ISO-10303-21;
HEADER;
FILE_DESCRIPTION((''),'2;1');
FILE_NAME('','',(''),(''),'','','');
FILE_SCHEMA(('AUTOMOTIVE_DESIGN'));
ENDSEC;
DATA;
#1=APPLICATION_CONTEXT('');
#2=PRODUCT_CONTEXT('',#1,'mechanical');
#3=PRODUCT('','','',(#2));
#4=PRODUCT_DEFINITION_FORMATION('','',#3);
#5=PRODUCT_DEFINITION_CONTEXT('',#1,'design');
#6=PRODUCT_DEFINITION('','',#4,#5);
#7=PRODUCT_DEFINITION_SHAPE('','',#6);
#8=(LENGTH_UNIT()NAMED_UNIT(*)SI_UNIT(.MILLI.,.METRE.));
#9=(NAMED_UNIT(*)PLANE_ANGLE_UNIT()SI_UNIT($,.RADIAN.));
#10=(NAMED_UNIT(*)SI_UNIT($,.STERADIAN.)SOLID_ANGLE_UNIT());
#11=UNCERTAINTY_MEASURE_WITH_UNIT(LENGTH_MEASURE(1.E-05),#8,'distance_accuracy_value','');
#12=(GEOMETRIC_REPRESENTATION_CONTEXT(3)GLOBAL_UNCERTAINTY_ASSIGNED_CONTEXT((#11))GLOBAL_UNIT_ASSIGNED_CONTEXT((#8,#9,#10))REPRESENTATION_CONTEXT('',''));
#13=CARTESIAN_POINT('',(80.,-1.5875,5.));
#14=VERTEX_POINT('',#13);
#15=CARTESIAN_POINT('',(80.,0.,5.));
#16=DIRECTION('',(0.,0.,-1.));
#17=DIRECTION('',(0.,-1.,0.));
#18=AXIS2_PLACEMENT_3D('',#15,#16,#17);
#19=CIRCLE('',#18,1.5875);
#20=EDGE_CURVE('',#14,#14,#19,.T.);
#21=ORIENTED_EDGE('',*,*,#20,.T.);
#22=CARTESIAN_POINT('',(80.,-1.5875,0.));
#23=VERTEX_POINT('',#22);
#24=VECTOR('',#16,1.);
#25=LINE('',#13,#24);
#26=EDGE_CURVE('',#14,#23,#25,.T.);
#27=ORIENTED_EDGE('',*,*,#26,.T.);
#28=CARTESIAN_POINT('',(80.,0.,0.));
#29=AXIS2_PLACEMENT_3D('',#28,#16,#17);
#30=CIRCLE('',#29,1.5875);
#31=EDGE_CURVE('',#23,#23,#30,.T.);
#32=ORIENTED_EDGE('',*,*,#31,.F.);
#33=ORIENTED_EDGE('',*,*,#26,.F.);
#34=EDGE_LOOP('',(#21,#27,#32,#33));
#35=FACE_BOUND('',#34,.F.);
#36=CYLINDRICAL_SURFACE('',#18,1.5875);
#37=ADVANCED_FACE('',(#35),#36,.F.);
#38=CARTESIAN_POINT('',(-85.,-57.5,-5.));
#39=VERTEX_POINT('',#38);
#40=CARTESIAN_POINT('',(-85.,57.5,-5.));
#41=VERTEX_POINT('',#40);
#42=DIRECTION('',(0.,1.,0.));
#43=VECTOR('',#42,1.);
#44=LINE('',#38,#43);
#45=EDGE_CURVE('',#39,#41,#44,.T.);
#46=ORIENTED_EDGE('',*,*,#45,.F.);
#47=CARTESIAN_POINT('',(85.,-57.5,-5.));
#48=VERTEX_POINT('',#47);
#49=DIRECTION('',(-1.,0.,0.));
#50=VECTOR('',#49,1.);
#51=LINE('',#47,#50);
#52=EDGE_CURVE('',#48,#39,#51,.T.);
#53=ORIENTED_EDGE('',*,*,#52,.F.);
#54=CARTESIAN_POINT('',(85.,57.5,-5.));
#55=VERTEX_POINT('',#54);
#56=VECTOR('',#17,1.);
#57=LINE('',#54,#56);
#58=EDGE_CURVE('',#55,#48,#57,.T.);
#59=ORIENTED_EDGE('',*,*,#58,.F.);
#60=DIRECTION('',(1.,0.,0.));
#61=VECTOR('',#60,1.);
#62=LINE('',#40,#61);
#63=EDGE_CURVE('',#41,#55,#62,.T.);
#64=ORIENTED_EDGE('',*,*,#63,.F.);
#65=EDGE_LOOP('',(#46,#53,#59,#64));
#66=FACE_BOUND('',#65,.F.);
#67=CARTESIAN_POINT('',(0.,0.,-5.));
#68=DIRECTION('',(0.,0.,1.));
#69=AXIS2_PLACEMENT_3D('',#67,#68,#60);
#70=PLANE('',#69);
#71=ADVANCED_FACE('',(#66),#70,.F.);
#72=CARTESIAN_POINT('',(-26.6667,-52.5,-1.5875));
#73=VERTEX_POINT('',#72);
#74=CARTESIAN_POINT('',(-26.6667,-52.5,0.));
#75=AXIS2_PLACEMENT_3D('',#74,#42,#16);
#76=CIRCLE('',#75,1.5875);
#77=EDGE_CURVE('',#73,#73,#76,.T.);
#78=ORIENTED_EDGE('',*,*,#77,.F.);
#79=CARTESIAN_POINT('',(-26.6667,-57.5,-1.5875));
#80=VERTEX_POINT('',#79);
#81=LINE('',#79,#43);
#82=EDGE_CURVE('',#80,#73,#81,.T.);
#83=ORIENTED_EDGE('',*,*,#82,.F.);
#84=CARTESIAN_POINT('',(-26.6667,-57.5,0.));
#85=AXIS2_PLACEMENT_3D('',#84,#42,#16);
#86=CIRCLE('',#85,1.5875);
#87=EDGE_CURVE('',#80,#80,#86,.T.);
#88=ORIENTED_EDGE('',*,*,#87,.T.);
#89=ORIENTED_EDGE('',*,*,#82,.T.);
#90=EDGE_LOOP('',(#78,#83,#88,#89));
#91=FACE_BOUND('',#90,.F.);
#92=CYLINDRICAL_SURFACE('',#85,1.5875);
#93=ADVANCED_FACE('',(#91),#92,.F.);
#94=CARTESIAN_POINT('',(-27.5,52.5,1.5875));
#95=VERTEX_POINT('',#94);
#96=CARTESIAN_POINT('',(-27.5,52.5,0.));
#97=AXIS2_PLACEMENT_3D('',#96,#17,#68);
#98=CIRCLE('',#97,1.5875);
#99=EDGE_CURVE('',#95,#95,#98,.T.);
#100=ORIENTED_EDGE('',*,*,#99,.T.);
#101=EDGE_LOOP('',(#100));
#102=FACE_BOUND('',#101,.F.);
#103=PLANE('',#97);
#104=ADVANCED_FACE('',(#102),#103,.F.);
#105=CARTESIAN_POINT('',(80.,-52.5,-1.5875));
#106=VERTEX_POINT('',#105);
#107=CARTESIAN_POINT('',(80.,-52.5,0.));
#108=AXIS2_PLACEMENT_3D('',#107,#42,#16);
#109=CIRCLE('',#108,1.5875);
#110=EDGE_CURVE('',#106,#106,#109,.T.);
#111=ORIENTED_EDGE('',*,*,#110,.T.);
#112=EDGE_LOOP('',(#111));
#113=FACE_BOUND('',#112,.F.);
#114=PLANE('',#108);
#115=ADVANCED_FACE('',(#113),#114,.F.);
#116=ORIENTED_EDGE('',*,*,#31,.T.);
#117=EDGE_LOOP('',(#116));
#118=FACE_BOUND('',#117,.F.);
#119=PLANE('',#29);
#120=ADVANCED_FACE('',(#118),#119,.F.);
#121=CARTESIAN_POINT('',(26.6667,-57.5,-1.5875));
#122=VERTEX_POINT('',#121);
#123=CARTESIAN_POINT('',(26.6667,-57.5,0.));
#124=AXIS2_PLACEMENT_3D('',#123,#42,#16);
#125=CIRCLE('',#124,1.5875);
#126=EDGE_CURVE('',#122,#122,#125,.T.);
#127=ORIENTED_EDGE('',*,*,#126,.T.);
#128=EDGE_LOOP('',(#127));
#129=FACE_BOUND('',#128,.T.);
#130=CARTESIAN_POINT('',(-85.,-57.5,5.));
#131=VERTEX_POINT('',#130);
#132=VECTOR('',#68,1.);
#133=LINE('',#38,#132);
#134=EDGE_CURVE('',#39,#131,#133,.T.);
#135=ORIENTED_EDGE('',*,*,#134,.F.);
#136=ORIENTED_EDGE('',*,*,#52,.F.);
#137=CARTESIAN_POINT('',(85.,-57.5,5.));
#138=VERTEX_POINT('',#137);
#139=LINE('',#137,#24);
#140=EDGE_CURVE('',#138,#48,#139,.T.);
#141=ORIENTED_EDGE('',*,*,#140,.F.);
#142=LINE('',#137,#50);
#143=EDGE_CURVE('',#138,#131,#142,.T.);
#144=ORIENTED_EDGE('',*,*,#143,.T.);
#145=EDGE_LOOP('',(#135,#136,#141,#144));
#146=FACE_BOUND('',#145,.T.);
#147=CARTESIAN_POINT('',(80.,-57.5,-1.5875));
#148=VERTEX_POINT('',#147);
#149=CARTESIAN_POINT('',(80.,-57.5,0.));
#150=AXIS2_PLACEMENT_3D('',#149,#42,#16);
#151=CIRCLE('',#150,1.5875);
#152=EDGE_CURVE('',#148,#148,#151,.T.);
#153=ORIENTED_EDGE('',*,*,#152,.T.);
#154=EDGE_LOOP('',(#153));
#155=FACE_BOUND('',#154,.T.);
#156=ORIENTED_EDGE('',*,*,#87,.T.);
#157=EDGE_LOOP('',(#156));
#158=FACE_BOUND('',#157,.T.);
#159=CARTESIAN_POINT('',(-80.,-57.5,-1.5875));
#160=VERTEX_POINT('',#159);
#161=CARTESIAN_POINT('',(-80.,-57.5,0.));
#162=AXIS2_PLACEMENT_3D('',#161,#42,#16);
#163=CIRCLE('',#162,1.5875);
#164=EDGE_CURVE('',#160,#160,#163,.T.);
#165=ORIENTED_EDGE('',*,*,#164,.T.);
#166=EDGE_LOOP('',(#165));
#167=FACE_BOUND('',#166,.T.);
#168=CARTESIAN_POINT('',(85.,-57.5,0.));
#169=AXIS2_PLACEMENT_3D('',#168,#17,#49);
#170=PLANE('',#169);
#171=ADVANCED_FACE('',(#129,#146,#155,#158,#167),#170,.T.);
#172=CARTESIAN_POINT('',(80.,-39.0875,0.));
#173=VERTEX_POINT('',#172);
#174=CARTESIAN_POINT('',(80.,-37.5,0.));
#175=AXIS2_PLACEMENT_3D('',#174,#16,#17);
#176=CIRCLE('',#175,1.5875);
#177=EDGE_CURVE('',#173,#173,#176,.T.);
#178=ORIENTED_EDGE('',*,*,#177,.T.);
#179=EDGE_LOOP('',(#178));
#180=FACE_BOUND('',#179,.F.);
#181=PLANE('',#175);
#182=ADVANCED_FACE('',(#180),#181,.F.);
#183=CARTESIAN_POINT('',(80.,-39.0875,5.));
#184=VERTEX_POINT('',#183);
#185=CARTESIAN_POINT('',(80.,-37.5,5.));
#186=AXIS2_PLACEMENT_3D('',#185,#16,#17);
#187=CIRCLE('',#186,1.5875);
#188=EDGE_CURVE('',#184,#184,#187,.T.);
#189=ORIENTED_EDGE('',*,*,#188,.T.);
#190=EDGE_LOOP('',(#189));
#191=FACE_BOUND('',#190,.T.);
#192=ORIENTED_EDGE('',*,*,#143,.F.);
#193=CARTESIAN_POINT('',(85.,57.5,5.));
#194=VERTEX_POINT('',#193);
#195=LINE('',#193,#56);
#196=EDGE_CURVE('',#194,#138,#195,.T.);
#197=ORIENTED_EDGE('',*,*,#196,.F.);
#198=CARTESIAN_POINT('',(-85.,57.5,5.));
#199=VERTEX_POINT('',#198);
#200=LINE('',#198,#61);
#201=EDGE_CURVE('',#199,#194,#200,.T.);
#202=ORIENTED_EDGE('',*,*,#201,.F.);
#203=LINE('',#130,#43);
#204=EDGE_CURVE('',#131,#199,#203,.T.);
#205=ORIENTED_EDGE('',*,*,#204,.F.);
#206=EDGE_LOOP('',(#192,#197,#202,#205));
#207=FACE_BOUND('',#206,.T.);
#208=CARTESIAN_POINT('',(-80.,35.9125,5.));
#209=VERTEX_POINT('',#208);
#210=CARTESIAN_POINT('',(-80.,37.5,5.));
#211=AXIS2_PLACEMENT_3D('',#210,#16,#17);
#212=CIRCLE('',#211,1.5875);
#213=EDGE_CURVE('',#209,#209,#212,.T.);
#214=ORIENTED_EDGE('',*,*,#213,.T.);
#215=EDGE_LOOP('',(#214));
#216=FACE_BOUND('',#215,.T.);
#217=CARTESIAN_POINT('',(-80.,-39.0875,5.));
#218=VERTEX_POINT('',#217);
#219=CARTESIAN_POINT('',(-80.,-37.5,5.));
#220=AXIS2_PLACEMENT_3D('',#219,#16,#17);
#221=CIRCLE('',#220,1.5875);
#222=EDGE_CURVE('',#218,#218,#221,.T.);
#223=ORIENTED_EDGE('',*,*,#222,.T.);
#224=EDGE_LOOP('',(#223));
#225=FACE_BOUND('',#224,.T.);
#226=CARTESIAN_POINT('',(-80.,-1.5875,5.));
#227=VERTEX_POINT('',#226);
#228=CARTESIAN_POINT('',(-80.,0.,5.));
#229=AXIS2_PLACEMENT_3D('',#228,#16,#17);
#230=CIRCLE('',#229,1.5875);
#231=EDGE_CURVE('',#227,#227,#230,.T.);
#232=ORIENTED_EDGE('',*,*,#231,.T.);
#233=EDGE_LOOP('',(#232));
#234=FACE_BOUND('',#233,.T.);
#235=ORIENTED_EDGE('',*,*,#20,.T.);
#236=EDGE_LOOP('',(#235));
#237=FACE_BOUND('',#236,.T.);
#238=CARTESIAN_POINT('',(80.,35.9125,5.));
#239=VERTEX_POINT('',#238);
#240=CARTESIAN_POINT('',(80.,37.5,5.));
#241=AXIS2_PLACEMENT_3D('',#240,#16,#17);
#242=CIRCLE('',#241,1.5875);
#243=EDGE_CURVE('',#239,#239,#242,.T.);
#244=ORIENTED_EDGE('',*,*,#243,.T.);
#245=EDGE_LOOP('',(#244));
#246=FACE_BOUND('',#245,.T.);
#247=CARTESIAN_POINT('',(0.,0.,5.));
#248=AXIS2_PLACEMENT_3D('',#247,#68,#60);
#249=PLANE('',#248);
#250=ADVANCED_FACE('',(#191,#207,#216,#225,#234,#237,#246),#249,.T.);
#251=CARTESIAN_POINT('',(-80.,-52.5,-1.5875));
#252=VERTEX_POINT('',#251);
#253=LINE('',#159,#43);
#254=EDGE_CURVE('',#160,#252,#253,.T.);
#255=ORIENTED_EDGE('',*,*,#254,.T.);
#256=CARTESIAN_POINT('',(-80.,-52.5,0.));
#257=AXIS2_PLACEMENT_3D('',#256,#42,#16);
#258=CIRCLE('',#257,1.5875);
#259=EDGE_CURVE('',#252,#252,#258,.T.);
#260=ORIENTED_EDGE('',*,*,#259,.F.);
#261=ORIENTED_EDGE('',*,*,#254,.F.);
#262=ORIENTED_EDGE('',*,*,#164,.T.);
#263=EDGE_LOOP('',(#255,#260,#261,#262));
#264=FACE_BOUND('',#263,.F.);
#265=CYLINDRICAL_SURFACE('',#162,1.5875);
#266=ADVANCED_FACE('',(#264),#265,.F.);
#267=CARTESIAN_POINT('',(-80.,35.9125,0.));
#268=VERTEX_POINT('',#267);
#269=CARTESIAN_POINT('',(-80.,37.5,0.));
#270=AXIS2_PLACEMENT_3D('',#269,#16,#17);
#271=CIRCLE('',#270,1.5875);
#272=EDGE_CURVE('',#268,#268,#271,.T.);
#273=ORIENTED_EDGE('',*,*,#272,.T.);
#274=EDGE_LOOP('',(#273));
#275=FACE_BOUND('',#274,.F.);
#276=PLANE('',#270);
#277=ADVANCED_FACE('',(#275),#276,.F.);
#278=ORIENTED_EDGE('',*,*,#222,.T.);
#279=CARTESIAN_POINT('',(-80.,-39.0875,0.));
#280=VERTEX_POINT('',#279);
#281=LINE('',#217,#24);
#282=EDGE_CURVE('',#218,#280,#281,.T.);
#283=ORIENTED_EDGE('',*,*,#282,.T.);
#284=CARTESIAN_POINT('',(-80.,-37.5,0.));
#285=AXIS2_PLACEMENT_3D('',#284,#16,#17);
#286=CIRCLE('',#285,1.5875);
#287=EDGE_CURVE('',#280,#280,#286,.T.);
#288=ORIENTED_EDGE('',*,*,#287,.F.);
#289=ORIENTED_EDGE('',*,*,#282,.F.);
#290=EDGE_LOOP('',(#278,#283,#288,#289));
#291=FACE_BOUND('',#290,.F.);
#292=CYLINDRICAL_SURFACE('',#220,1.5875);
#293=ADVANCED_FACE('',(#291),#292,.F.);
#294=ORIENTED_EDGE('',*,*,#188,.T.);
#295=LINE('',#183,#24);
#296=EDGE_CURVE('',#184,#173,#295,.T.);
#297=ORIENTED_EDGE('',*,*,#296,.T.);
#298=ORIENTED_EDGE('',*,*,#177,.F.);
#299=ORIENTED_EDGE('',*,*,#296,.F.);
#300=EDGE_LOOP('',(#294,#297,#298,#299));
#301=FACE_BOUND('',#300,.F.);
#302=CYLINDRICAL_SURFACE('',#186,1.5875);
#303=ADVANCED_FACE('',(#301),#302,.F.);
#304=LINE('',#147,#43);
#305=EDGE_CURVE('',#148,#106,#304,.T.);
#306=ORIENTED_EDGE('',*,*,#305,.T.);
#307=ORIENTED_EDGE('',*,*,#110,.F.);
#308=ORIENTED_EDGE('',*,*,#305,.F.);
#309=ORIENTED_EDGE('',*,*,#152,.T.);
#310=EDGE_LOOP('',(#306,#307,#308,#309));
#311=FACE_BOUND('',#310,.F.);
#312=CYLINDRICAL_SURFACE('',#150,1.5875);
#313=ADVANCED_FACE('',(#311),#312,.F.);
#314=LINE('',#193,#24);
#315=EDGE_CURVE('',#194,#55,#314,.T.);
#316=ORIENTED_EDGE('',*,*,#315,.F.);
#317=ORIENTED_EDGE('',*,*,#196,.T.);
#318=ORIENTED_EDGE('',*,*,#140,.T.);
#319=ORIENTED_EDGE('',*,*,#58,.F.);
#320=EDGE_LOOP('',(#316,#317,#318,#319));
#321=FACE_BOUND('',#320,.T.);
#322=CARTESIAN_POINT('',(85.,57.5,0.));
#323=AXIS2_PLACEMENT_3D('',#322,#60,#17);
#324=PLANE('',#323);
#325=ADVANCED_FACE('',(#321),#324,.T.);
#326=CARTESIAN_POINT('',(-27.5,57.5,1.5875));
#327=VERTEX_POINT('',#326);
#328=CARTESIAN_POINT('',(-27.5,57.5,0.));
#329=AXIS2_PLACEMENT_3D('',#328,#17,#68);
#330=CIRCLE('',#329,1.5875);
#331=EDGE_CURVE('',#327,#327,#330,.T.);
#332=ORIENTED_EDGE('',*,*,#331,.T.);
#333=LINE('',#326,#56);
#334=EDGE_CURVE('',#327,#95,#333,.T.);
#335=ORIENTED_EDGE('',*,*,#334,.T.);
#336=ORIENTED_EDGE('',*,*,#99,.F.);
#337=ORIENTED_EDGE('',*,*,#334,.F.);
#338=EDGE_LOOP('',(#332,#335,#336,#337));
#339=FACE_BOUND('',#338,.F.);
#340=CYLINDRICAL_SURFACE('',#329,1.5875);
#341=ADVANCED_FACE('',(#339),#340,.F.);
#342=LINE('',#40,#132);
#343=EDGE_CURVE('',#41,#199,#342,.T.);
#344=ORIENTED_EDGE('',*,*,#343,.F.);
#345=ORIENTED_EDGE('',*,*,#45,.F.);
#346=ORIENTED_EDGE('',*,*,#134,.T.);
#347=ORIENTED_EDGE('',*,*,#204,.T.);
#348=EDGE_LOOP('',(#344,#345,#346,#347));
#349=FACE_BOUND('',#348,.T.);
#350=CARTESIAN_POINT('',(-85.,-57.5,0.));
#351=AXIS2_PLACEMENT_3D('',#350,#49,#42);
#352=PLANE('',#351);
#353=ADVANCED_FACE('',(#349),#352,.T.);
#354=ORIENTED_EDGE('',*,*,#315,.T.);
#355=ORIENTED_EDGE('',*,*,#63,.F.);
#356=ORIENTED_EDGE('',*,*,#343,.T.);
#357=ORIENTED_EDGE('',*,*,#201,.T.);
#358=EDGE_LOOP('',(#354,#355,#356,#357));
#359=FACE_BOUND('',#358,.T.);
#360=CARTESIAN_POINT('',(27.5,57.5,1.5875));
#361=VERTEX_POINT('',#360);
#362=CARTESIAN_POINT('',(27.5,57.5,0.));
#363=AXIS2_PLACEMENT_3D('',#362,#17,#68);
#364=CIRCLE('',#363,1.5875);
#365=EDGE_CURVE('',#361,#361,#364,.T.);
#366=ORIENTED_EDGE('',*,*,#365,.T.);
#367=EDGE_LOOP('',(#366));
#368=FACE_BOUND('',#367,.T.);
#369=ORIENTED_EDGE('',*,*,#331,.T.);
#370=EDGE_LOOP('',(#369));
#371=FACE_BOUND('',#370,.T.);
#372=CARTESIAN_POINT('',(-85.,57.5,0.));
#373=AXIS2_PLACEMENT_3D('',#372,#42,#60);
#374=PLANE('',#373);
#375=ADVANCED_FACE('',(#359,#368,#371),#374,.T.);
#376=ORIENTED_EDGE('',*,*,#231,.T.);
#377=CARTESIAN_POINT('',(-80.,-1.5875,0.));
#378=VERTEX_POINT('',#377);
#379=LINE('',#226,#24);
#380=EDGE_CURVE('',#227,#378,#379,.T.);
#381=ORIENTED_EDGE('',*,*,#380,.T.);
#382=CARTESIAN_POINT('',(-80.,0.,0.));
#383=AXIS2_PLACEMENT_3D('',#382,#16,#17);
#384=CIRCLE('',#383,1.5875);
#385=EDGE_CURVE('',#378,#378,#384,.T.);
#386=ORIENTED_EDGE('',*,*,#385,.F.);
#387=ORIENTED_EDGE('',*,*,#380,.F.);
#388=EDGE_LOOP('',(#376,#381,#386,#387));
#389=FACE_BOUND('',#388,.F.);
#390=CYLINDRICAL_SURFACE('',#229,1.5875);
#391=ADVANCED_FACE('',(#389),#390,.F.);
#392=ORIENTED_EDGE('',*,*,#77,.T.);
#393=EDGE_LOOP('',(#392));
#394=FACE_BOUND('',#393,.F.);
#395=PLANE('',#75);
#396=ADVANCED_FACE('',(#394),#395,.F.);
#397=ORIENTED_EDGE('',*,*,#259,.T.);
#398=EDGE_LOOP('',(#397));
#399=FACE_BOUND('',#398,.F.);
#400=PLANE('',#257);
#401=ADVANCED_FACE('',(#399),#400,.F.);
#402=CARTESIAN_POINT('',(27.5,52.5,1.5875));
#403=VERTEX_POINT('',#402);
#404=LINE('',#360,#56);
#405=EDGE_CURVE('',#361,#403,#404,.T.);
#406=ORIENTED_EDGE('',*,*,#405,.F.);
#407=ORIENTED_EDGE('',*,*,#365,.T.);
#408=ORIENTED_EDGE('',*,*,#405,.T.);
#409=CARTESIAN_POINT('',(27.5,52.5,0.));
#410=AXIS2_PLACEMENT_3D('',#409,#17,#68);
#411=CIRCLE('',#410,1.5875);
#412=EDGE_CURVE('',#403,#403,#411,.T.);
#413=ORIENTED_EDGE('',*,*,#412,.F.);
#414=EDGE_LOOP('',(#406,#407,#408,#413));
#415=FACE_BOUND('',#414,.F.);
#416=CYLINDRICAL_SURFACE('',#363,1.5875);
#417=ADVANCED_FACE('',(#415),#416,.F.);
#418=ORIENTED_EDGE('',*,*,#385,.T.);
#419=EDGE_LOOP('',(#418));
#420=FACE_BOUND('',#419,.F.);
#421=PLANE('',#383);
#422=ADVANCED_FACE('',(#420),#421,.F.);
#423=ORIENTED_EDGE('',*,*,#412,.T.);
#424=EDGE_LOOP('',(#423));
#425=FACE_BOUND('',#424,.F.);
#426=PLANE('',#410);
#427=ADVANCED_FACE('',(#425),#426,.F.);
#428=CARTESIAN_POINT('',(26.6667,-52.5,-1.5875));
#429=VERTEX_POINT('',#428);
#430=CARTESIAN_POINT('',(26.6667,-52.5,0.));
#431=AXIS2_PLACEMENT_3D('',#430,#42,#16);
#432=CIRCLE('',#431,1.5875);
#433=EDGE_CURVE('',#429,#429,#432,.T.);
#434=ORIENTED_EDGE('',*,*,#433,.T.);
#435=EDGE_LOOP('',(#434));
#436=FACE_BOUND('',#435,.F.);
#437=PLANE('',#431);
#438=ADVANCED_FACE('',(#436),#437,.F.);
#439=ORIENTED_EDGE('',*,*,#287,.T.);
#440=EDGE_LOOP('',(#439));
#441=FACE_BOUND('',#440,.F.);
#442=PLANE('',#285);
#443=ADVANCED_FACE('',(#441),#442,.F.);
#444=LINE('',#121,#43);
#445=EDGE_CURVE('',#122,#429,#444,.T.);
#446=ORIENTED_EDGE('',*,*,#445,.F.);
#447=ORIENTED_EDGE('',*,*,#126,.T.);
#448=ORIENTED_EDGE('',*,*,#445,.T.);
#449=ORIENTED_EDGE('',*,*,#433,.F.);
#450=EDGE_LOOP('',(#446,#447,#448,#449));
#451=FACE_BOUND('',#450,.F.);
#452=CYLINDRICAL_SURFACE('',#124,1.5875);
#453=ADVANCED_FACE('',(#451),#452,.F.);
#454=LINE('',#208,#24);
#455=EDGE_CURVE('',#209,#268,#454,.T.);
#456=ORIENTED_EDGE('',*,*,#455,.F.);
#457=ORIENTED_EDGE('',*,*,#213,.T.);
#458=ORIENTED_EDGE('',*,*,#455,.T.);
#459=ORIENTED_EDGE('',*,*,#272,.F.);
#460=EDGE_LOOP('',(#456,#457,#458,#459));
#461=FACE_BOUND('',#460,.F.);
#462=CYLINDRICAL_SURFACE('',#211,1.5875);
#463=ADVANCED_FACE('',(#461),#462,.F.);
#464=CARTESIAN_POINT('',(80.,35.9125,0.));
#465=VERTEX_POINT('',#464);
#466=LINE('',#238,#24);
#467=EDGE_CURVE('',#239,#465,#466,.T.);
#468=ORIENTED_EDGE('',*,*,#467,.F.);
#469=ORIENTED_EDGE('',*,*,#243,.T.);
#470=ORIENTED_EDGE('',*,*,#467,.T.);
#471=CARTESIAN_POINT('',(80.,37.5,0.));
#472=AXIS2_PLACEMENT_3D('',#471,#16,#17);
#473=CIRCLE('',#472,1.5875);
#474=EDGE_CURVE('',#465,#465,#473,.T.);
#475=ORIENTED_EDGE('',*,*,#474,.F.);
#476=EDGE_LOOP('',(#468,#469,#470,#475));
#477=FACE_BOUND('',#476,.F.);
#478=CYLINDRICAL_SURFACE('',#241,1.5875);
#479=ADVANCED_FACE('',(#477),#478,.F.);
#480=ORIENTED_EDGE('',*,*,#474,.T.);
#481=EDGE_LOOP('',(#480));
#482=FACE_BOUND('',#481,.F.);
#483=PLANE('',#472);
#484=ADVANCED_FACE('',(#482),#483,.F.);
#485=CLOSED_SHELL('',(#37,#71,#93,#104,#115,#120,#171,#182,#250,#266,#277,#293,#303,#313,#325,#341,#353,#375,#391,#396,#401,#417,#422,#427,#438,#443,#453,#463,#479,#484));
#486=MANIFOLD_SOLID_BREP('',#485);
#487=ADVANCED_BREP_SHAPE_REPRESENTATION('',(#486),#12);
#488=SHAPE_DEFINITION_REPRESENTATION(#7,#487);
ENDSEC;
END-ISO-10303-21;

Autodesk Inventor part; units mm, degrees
ref_plane "YZ Plane" through (0, 0, 0) normal (1, 0, 0) x (0, 1, 0)
ref_plane "XZ Plane" through (0, 0, 0) normal (0, 1, 0) x (-1, 0, 0)
ref_plane "XY Plane" through (0, 0, 0) normal (0, 0, 1) x (1, 0, 0)
sketch "Sketch1" plane through (0, 0, 0) normal (0, 0, 1) x (1, 0, 0)
  line L0 (-85, 57.5) -> (85, 57.5)
  line L1 (85, 57.5) -> (85, -57.5)
  line L2 (85, -57.5) -> (-85, -57.5)
  line L3 (-85, -57.5) -> (-85, 57.5)
  line L4 (-85, 57.5) -> (85, -57.5) construction
  line L5 (85, 57.5) -> (-85, -57.5) construction
  point P0 (0, 0)
  dimension "d0" = 170
  dimension "d1" = 115
extrude "Extrusion1" add sketch "Sketch1" along normal mid plane 10
sketch "Sketch2" plane through (0, 0, 5) normal (0, 0, 1) x (1, 0, 0)
  line L0 (-85, 57.5) -> (-85, -57.5) projected
  line L1 (-85, -57.5) -> (85, -57.5) projected
  point P0 (0, 0)
  point P1 (-80, -37.5)
  point P2 (80, -37.5)
  point P3 (-80, 0)
  point P4 (80, 0)
  point P5 (80, 37.5)
  point P6 (-80, 37.5)
  dimension "d4" = 5
  dimension "d5" = 20
  dimension "d11" = 160
  dimension "d55" = 37.5
  dimension "d62" = 37.5
hole "Hole1" at (-80, -37.5, 5) at (-80, 0, 5) at (80, 0, 5) at (80, -37.5, 5) at (-80, 37.5, 5) at (80, 37.5, 5) direction (0, 0, -1) diameter 3.175 depth 5
sketch "Sketch3" plane through (-85, -57.5, 5) normal (0, -1, 0) x (1, 0, 0)
  line L0 (0, 0) -> (0, -10) projected
  line L1 (0, 0) -> (170, 0) projected
  point P0 (85, -5)
  point P1 (5, -5)
  point P2 (58.3333, -5)
  point P3 (111.6667, -5)
  point P4 (165, -5)
  dimension "d21" = 5
  dimension "d22" = 5
  dimension "d25" = 53.3333
hole "Hole2" at (-80, -57.5, 0) at (-26.6667, -57.5, 0) at (26.6667, -57.5, 0) at (80, -57.5, 0) direction (0, 1, 0) diameter 3.175 depth 5
sketch "Sketch4" plane through (-85, 57.5, 5) normal (0, 1, 0) x (1, 0, 0)
  line L0 (0, 10) -> (0, 0) projected
  line L1 (170, 0) -> (0, 0) projected
  line L2 (0, 10) -> (170, 10) projected
  point P0 (85, 5)
  point P1 (112.5, 5)
  point P2 (57.5, 5)
  dimension "d67" = 5
  dimension "d69" = 27.5
  dimension "d72" = 55
hole "Hole3" at (27.5, 57.5, 0) at (-27.5, 57.5, 0) direction (0, -1, 0) diameter 3.175 depth 5
properties part number "back"
